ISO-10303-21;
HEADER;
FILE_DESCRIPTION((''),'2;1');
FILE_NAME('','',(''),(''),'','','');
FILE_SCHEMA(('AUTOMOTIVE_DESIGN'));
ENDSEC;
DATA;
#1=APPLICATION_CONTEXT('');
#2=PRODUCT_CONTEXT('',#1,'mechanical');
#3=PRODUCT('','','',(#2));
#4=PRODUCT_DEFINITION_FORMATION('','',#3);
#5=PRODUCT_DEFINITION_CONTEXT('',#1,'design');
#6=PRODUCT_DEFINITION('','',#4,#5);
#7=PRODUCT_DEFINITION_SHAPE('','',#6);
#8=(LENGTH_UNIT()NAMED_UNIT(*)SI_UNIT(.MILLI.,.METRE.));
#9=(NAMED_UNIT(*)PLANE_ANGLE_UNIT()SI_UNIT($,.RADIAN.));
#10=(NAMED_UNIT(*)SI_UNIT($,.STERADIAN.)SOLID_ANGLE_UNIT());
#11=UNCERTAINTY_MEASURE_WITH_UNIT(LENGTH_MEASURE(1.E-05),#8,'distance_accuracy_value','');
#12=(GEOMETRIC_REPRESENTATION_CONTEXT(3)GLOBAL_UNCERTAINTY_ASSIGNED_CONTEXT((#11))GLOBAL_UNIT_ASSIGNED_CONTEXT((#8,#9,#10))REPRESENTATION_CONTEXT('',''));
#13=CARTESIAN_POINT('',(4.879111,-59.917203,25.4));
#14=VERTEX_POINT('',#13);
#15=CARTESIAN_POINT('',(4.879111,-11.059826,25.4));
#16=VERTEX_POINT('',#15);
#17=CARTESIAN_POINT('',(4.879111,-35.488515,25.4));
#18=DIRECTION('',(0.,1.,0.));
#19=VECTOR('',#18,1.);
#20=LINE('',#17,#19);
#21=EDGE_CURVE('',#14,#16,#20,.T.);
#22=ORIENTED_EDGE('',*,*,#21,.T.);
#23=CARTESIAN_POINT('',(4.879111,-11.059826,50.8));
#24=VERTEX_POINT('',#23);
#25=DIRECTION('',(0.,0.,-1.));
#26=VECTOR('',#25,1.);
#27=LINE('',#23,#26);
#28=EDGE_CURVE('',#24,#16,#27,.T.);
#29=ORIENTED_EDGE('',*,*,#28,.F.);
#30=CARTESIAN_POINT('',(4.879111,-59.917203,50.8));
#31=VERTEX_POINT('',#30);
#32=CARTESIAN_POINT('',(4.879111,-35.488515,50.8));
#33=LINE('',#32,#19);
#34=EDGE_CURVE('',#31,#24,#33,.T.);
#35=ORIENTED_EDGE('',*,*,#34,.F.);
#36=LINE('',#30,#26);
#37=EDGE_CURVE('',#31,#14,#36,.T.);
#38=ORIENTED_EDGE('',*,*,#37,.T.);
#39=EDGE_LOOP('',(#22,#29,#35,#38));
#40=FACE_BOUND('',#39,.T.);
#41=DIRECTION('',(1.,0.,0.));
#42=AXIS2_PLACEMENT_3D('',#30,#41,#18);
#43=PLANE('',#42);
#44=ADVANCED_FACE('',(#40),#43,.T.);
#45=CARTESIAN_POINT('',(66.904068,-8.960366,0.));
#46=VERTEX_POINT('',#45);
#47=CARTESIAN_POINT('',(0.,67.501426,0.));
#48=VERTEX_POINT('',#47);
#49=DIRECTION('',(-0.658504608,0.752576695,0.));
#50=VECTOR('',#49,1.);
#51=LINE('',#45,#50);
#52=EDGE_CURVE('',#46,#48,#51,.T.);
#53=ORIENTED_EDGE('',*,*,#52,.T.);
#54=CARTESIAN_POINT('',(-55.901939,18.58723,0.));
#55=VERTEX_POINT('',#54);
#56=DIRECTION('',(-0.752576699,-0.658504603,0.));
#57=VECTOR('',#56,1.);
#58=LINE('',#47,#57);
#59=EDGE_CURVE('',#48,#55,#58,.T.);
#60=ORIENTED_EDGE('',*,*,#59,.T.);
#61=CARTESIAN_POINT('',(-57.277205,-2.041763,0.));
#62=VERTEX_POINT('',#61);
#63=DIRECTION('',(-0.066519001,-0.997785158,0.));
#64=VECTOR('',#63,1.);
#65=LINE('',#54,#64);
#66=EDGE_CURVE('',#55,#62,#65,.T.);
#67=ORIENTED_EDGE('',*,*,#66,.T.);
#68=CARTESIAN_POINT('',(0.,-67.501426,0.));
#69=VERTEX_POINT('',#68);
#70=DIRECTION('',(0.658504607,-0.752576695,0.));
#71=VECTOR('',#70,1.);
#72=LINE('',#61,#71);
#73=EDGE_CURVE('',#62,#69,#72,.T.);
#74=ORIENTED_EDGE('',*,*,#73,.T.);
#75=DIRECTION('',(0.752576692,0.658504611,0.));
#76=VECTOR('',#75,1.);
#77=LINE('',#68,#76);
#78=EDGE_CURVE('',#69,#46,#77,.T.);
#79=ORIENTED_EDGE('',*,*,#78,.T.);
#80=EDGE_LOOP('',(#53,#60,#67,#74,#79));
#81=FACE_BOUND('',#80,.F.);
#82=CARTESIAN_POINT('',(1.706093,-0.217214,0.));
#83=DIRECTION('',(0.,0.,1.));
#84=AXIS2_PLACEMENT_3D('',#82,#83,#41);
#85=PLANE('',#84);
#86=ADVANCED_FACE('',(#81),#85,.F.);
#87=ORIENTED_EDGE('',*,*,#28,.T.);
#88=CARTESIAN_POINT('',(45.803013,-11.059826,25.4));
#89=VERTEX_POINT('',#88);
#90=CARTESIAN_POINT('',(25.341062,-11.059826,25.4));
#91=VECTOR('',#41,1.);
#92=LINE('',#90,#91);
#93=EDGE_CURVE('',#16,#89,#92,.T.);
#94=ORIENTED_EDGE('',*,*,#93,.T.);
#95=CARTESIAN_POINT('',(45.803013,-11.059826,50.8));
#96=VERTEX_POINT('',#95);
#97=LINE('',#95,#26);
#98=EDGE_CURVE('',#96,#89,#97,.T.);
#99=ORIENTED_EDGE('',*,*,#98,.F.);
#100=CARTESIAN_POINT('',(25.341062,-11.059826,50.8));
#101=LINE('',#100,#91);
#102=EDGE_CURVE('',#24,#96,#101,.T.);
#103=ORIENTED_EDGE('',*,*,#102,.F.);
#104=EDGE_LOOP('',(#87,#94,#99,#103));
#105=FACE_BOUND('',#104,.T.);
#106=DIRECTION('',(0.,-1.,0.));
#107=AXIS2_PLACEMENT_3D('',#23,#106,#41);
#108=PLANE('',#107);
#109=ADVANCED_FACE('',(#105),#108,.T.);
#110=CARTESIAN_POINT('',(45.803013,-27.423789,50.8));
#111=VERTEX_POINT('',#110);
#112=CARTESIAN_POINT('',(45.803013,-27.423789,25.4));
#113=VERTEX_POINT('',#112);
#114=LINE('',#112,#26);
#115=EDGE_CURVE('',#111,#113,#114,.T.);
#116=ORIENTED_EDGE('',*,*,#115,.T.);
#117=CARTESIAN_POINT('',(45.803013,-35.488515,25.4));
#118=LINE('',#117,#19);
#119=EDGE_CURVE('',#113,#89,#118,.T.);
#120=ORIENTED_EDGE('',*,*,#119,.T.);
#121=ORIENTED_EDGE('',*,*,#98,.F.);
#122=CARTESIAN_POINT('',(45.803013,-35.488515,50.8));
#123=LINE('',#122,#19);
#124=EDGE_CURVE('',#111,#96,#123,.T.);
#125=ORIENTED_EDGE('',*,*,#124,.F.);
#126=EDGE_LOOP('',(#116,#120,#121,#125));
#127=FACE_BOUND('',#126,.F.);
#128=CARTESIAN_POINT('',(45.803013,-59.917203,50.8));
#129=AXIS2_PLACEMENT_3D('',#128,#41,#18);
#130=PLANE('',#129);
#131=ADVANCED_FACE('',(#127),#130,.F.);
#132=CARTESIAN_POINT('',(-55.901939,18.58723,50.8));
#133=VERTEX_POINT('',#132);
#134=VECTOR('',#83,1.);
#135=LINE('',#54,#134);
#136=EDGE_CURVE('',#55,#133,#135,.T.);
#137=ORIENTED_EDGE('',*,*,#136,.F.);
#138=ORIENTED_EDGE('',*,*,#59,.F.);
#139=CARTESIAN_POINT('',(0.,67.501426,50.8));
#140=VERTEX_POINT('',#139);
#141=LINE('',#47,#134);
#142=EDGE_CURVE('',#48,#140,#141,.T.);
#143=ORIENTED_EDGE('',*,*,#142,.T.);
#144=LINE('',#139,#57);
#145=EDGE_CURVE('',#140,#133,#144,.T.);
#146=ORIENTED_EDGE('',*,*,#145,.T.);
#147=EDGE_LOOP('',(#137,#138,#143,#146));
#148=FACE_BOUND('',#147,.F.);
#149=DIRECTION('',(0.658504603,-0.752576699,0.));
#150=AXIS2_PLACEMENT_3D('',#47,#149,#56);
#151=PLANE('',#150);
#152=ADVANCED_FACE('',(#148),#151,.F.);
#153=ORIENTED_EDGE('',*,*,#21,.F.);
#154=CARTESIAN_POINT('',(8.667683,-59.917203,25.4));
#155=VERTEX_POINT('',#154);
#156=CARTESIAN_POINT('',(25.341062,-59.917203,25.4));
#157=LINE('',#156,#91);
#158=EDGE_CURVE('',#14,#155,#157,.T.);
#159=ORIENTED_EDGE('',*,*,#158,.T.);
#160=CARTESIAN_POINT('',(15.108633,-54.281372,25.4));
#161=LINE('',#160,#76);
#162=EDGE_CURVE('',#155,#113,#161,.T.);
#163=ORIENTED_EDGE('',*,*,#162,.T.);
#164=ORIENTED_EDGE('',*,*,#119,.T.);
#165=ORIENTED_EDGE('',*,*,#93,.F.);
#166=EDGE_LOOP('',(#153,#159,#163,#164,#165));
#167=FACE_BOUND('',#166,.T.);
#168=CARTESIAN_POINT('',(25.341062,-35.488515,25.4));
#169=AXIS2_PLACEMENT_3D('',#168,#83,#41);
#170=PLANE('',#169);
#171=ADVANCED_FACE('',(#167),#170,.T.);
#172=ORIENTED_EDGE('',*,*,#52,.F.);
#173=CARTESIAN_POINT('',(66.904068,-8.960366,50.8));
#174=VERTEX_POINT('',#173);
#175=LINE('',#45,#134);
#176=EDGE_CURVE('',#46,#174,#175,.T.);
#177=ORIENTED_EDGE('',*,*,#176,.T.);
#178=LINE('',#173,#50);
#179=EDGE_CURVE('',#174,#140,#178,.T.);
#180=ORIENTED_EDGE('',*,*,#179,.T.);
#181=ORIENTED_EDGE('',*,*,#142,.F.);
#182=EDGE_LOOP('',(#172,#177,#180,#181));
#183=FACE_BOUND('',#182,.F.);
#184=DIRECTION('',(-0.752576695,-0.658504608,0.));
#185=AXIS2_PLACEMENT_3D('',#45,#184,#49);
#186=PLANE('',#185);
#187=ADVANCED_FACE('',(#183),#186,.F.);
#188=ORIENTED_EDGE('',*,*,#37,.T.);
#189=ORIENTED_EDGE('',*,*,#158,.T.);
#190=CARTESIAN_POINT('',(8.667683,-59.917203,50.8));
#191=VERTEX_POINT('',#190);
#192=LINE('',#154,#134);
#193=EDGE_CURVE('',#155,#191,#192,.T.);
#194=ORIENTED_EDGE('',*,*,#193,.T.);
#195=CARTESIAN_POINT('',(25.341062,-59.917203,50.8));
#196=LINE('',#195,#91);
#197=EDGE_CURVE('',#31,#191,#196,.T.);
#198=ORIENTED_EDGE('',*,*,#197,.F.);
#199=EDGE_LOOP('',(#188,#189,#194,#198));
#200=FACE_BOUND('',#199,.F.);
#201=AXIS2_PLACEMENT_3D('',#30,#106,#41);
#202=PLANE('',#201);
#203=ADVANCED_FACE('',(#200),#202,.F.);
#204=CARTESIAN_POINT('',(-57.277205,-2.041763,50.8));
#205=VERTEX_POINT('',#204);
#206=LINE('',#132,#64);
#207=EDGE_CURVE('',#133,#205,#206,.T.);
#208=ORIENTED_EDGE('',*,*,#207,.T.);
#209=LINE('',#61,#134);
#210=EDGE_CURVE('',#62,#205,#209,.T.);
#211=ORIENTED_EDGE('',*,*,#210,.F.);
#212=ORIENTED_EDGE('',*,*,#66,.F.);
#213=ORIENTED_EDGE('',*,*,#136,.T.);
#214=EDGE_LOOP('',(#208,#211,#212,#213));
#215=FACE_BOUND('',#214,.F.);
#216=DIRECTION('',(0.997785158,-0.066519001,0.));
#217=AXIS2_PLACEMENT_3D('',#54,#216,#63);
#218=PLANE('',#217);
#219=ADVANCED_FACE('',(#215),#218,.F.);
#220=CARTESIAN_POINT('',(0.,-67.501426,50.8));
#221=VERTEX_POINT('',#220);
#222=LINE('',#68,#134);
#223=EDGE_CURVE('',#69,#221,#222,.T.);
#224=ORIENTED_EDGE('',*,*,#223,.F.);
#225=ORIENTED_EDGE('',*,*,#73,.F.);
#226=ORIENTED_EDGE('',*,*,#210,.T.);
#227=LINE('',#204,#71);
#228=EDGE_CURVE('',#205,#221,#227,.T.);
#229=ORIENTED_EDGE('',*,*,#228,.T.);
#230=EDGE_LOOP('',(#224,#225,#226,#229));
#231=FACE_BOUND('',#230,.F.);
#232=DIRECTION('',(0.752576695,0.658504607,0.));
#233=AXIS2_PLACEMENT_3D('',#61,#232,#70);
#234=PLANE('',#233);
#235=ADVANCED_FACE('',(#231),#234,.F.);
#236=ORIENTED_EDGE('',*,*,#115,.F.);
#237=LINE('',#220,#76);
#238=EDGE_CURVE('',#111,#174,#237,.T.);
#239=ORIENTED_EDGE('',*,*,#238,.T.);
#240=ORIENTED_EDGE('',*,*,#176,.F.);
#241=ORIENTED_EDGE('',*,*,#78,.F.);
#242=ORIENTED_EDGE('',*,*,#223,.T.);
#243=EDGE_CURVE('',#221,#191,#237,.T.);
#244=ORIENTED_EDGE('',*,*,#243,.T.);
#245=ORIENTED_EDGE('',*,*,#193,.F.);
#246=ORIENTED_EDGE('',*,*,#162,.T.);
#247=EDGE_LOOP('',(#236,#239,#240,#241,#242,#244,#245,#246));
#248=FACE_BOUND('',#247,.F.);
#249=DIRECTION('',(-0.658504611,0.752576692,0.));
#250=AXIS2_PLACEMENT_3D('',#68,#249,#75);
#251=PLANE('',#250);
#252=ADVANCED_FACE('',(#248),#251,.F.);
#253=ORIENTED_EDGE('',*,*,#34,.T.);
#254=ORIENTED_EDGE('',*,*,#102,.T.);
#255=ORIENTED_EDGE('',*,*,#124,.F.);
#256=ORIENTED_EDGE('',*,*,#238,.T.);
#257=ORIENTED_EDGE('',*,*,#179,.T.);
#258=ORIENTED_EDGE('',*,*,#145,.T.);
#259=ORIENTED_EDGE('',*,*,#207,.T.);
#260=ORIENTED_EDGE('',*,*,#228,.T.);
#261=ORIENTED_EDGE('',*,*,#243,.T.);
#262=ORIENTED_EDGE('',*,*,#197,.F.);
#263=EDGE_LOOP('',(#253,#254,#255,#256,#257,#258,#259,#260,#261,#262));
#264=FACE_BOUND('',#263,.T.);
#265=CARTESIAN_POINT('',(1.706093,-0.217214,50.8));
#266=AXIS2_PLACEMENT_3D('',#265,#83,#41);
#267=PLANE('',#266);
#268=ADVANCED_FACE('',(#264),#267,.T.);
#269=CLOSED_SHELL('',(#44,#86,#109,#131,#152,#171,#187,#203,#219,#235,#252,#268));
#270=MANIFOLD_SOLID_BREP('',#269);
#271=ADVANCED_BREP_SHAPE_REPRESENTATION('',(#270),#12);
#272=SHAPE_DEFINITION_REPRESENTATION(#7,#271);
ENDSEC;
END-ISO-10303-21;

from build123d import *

# Parameters (mm, degrees)
F1_DEPTH = 50.8
F2_W     = 40.923903
F2_H     = 48.857377
F3_DEPTH = 25.4


with BuildPart() as f1:
    # F0 (on Top) → F1 (new body)
    with BuildSketch(Plane.XY):
        Polygon((0, 67.501426), (-55.901939, 18.58723), (-57.277205, -2.041763), (0, -67.501426), (66.904068, -8.960366), align=None)
    extrude(amount=F1_DEPTH)

    # F2 (on face) → F3 (cut)
    with BuildSketch(Plane.XY.offset(50.8)):
        with Locations((25.341062, -35.488515)):
            Rectangle(F2_W, F2_H)
    extrude(amount=-F3_DEPTH, mode=Mode.SUBTRACT)


solid = f1.part
